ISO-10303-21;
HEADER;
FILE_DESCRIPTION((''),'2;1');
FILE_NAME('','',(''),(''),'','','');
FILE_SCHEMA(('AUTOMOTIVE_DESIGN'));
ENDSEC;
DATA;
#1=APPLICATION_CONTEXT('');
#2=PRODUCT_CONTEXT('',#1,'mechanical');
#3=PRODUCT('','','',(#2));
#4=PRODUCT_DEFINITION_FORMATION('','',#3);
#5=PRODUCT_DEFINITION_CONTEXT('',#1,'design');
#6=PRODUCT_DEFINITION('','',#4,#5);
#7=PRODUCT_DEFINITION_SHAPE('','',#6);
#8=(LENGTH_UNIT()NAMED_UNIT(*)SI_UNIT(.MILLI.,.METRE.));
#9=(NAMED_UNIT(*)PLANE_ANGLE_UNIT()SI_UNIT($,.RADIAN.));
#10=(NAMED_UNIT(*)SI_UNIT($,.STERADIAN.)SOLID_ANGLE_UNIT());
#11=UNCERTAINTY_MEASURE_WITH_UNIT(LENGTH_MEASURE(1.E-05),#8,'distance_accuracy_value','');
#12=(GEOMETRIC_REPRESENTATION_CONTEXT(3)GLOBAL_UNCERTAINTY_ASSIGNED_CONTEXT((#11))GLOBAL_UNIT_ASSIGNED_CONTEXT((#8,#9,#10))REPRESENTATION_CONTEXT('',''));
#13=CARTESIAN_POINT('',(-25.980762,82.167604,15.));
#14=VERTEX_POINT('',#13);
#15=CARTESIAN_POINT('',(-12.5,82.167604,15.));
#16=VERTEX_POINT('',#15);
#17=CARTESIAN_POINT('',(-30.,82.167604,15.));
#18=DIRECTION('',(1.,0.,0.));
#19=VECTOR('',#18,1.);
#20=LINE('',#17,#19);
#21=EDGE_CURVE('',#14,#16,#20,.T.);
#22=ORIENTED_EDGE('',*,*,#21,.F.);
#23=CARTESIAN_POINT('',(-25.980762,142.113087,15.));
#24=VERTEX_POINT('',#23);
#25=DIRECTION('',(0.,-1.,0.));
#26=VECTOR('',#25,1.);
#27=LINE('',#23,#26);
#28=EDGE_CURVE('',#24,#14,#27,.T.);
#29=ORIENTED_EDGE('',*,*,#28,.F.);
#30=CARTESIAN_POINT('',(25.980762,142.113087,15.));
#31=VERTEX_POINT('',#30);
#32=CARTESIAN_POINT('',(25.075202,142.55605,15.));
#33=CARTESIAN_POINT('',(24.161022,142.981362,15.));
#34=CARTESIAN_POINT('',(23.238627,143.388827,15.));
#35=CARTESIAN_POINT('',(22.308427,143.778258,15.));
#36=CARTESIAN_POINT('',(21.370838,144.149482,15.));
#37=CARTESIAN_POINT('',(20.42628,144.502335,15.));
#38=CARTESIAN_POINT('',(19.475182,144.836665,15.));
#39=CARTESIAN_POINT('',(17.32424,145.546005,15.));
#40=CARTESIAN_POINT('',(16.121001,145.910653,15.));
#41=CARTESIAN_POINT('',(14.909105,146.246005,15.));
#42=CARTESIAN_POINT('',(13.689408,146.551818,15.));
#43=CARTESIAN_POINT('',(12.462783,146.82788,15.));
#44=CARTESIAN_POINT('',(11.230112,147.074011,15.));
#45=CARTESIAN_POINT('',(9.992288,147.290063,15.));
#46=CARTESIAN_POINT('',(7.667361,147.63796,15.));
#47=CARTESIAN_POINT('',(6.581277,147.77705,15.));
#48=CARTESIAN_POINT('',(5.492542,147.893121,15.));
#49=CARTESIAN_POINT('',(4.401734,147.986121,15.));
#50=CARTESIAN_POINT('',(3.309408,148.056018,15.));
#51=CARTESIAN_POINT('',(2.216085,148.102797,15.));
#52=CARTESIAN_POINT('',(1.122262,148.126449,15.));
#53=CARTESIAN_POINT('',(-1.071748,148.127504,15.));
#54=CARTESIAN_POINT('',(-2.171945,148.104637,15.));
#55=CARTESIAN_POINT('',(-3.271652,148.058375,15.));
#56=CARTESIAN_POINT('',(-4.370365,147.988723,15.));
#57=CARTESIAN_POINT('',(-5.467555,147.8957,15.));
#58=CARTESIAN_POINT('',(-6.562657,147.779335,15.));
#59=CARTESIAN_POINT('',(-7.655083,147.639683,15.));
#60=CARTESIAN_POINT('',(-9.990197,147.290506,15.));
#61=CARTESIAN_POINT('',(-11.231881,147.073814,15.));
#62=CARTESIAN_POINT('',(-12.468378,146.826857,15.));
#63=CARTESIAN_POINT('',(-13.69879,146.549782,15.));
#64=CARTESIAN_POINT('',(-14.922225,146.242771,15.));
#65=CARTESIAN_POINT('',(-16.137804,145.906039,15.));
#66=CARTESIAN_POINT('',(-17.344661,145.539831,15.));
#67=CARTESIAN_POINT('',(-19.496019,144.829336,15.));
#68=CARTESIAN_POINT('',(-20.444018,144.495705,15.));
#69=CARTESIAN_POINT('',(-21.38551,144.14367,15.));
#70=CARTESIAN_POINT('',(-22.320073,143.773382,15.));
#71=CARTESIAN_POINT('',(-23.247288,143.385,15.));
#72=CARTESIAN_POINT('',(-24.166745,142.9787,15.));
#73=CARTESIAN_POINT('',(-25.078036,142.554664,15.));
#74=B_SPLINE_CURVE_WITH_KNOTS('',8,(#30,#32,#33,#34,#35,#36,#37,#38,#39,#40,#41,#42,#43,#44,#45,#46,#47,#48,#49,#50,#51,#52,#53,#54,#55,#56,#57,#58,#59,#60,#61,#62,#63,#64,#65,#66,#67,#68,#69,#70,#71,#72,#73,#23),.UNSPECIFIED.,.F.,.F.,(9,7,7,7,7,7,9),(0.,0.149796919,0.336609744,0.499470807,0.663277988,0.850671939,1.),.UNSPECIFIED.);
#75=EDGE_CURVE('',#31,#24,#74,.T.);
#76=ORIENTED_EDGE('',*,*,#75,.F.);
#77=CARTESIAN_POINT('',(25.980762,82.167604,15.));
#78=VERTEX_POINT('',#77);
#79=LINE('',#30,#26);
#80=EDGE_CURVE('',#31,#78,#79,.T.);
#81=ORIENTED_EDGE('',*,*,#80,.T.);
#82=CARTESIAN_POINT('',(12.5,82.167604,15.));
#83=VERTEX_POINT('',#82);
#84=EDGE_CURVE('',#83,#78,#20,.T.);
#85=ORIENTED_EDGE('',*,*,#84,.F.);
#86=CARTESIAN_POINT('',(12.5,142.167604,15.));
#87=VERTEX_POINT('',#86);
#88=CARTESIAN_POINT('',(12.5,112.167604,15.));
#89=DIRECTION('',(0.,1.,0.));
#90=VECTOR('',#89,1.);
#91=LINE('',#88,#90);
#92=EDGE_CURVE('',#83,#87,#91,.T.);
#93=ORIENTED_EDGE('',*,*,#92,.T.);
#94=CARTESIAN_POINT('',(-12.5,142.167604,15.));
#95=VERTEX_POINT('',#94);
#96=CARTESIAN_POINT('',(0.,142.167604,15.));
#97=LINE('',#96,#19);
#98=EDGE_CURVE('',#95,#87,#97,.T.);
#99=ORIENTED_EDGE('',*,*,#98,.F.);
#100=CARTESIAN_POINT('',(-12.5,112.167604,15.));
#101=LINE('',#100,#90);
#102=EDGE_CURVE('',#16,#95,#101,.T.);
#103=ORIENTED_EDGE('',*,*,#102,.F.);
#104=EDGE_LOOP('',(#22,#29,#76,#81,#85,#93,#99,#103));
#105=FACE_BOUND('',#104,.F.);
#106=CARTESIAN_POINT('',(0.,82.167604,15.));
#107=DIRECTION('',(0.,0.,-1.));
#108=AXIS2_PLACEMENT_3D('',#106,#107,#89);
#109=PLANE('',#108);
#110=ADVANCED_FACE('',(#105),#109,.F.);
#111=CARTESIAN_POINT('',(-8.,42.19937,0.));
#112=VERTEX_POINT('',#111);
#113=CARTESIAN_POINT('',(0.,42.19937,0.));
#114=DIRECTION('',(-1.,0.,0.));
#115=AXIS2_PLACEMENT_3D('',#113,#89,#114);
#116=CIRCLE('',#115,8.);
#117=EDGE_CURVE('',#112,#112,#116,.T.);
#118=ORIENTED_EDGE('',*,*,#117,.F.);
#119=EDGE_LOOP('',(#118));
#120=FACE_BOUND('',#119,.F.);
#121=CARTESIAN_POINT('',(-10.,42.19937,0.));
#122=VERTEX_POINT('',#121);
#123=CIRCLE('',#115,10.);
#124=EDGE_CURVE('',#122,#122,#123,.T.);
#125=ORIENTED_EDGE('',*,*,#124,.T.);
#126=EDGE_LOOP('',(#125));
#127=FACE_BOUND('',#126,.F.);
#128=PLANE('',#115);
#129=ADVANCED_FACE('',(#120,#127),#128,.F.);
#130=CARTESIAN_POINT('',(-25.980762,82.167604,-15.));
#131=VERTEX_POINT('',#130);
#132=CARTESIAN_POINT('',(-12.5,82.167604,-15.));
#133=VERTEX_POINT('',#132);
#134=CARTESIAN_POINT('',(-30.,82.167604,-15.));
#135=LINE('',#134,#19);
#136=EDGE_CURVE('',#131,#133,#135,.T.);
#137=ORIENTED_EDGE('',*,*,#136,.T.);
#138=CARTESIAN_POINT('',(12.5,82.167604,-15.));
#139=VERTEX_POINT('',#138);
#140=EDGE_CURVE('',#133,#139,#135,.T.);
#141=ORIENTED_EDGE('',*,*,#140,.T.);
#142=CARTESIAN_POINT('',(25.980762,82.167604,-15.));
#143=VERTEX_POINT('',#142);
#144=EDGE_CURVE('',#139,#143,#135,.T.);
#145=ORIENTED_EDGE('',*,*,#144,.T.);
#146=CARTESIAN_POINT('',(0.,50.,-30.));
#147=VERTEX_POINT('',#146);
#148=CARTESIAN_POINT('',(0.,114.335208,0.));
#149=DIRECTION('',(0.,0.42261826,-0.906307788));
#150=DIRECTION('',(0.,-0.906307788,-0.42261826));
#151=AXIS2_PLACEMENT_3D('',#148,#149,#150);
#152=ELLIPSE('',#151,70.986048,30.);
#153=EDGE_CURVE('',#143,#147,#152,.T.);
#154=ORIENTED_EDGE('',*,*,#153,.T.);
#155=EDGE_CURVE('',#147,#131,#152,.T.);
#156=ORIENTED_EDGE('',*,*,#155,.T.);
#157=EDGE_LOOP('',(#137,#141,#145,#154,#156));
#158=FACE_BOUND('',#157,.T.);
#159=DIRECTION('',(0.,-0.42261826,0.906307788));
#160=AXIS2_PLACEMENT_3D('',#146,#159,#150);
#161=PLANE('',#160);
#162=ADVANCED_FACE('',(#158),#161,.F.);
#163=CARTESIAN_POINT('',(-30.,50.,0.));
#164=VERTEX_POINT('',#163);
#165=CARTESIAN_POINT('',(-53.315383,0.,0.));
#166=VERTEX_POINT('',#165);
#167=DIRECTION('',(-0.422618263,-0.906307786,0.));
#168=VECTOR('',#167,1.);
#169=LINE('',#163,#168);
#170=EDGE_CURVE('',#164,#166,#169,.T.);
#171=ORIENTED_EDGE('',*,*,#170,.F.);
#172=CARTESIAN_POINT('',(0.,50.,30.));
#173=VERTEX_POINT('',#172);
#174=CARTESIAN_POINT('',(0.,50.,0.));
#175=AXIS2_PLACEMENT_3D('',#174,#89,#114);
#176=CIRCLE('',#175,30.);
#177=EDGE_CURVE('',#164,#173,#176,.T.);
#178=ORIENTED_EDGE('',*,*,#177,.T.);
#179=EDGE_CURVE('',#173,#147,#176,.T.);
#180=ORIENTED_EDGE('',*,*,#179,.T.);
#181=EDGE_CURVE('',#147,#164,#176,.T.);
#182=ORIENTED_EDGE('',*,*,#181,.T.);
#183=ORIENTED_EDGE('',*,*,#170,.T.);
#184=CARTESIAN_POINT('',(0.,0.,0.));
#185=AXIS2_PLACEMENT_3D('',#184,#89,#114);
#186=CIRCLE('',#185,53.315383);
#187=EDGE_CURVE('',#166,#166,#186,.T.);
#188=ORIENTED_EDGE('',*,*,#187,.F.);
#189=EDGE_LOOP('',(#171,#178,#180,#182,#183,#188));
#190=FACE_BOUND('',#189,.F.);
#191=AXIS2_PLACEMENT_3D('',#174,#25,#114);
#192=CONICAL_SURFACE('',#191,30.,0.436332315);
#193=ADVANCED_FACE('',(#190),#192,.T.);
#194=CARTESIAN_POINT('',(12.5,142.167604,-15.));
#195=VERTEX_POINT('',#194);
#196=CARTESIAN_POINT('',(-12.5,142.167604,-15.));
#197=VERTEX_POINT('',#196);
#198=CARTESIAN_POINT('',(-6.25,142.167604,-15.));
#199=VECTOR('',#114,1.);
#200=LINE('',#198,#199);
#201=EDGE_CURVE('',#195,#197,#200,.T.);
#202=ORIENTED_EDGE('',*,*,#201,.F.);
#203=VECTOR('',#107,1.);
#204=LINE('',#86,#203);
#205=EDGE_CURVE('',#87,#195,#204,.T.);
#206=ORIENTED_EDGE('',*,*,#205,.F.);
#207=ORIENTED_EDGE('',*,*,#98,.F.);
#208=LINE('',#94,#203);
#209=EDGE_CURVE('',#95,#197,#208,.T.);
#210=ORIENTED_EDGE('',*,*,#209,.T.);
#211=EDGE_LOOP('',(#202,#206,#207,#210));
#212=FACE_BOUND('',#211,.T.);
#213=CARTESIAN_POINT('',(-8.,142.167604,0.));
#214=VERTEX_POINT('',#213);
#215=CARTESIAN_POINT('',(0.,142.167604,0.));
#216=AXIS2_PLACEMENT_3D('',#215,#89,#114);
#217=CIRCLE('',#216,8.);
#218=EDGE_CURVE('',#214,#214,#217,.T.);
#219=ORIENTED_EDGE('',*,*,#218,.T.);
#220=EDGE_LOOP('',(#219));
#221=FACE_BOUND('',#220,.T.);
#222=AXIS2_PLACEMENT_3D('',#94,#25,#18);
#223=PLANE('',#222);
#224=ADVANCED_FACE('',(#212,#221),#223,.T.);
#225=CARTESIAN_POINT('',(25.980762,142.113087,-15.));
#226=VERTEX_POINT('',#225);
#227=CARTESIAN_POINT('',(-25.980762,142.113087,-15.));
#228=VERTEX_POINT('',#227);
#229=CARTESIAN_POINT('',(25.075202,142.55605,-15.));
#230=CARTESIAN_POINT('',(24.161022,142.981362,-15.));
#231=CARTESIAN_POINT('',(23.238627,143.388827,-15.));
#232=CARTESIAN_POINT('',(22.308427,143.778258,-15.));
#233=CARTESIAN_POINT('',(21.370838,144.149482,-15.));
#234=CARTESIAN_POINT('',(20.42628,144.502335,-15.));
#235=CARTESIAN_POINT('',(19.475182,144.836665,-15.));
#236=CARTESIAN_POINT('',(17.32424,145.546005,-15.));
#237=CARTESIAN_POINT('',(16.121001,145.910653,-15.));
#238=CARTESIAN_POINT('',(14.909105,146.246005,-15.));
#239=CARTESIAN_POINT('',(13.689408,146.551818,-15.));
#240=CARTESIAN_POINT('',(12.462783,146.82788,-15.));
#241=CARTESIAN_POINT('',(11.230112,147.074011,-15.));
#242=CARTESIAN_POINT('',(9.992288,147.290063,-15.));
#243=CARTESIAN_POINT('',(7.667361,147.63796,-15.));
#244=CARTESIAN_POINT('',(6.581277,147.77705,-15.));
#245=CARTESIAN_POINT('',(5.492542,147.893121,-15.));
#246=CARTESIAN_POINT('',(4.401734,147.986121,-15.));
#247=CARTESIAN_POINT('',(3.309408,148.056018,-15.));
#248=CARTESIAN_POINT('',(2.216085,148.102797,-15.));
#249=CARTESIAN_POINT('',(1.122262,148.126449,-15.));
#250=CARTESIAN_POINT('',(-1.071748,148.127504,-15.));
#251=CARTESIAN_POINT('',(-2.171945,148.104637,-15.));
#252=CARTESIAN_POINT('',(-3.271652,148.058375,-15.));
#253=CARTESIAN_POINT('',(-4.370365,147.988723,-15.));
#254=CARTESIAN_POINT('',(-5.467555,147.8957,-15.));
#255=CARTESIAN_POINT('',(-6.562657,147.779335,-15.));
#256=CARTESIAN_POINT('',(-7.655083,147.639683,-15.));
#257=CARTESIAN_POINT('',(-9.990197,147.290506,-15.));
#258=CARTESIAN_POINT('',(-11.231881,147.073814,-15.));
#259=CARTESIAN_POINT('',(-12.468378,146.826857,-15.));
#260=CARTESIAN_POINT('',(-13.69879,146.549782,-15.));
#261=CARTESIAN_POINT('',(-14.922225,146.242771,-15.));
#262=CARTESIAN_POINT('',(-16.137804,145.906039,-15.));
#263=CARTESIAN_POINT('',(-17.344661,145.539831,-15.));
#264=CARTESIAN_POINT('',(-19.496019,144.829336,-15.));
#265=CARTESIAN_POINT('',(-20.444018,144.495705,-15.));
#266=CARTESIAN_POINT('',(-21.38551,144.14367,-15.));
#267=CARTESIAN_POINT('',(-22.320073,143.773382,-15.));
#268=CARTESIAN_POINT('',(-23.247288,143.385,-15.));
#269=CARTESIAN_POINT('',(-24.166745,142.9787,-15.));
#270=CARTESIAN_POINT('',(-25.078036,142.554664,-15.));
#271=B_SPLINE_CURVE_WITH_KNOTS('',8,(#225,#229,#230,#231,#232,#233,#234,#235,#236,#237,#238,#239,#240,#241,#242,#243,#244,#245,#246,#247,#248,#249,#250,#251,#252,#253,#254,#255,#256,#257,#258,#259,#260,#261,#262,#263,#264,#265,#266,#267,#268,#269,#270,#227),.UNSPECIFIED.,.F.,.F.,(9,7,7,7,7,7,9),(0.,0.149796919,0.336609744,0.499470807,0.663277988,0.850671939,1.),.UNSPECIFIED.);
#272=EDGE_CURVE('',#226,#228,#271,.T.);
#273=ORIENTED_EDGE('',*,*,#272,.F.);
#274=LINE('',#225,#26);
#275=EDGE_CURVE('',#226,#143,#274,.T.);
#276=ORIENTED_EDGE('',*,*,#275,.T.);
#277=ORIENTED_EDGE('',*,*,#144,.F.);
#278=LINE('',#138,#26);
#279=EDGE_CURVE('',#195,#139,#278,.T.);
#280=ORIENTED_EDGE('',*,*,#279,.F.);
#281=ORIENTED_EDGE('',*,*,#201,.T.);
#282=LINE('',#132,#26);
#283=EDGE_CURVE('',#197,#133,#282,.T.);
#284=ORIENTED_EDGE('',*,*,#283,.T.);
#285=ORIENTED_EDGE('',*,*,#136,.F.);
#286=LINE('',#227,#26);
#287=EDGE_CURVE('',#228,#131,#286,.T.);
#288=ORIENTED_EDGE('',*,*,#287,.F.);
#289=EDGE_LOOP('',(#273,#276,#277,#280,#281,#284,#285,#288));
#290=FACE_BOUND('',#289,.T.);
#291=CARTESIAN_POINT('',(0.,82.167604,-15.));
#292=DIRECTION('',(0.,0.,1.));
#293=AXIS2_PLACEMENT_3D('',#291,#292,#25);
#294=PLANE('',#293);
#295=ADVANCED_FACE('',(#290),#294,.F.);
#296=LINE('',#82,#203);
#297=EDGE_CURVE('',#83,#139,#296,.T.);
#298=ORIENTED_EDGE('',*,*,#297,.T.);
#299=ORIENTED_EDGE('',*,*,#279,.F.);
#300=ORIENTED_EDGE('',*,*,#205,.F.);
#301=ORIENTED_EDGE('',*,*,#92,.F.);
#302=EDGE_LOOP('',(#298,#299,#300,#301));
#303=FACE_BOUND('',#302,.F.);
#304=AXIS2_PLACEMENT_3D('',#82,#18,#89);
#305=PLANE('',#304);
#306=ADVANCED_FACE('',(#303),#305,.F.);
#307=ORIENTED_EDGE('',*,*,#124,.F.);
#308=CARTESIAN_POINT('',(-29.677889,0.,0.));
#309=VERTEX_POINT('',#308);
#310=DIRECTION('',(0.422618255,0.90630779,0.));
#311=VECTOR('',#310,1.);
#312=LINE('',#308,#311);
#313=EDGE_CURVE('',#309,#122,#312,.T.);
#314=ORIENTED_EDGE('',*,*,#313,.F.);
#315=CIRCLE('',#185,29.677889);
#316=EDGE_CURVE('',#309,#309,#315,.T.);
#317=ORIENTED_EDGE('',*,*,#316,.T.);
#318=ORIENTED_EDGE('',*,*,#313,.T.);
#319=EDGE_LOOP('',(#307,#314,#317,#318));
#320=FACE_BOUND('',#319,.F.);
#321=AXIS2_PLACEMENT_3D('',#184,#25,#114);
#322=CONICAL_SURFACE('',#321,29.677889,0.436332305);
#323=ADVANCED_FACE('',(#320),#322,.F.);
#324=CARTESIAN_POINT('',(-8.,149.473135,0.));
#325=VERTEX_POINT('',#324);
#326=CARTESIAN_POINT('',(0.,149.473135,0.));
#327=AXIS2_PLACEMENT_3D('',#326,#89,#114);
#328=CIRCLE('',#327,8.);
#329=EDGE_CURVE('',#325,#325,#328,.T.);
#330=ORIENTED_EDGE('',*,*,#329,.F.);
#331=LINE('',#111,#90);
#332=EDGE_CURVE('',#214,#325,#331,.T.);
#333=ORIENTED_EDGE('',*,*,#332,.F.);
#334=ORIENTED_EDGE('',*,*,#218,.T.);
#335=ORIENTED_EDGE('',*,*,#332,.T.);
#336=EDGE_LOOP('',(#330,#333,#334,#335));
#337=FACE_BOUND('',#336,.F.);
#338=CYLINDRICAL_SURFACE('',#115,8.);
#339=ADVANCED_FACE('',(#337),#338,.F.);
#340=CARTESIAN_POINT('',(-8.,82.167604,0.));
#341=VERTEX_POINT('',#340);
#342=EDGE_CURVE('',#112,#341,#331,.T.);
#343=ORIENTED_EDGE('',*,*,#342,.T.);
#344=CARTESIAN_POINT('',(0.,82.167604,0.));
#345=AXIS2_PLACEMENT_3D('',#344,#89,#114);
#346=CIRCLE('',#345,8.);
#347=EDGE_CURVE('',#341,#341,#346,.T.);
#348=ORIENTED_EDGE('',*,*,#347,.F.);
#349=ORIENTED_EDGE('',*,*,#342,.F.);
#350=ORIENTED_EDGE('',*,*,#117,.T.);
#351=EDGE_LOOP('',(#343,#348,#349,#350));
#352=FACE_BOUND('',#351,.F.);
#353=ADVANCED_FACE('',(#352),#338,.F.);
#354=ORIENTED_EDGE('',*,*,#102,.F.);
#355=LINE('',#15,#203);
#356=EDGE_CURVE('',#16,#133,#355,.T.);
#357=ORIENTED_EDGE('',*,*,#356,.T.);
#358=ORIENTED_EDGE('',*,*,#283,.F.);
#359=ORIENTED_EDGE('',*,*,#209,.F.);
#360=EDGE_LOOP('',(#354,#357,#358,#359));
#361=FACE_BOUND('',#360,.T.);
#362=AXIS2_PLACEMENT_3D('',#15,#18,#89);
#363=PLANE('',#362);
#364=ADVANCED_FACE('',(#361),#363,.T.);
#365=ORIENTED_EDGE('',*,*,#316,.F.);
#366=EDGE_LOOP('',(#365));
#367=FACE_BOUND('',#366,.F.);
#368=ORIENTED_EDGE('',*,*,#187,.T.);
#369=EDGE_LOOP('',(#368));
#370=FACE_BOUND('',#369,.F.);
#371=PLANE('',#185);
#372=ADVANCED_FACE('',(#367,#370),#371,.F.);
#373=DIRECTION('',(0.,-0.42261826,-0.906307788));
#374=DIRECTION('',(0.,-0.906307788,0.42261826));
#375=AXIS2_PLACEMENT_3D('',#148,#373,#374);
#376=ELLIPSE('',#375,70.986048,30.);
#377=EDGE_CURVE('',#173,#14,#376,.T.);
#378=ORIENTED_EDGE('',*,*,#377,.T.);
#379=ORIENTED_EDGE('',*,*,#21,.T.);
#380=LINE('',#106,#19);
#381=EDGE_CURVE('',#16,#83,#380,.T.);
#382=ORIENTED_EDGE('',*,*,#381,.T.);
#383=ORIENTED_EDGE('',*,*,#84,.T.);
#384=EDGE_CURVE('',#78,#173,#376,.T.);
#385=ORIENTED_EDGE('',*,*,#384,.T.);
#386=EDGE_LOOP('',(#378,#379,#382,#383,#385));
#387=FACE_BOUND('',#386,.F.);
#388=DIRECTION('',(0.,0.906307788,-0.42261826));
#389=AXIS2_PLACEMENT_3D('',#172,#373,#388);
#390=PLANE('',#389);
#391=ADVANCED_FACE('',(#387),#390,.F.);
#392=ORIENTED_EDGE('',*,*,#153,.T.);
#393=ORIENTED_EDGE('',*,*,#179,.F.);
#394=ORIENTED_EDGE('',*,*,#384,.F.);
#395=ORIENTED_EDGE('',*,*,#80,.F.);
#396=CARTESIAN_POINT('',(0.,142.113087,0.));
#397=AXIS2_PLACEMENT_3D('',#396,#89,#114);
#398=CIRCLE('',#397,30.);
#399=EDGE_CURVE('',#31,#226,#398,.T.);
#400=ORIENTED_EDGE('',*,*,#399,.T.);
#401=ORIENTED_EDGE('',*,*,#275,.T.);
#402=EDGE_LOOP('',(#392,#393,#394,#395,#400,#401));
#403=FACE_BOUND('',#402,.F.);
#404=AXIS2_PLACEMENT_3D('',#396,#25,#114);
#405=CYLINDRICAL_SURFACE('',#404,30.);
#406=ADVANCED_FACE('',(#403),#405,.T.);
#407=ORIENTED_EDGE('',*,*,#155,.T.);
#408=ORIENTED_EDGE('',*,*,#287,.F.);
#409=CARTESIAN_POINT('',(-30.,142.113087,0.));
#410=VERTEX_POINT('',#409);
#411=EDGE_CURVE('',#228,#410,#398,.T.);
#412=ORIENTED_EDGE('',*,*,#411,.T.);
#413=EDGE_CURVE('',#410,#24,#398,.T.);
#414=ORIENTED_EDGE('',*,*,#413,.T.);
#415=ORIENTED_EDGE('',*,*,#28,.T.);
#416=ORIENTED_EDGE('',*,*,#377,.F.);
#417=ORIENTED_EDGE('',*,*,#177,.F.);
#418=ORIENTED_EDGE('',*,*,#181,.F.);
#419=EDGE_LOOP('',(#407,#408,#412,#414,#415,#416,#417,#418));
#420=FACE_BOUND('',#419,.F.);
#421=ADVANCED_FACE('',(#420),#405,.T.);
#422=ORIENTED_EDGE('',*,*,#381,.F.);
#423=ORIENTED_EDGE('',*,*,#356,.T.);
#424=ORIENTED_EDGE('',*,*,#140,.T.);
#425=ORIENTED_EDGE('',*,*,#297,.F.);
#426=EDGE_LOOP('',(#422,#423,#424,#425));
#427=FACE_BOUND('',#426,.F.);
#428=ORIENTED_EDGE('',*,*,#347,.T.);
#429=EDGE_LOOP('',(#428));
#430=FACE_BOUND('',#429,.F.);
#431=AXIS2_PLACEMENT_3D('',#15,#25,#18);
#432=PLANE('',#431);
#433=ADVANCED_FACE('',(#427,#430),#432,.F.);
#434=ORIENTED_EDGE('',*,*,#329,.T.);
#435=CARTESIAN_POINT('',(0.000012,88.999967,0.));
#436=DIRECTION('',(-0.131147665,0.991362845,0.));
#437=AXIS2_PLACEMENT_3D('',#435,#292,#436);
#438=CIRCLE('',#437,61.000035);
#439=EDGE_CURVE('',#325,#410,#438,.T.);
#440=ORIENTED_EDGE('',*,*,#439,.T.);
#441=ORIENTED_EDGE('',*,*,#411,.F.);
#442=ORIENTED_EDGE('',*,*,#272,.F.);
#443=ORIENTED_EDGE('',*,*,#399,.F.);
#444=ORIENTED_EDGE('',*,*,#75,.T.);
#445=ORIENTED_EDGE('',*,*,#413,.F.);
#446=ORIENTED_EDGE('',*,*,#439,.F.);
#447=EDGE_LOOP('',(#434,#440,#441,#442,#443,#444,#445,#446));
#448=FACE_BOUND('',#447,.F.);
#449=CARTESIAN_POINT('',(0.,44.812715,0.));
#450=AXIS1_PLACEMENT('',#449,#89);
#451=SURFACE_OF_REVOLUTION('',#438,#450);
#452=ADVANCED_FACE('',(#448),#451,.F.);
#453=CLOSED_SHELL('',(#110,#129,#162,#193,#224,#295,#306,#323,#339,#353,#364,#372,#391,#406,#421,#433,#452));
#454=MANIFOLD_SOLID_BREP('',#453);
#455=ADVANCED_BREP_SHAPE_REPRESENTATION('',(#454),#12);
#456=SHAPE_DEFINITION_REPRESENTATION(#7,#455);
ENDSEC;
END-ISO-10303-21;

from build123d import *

# Parameters (mm, degrees)
F3_DEPTH = 30
F5_W     = 25
F5_H     = 60
F6_DEPTH = 68.316383


with BuildPart() as f1:
    # F0 (on Top) → F1 (revolve)
    with BuildSketch(Plane.XY):
        with BuildLine():
            Line((-30, 50), (-53.315383, 0))
            Line((-53.315383, 0), (-29.677889, 0))
            Line((-29.677889, 0), (-10, 42.19937))
            Line((-10, 42.19937), (-8, 42.19937))
            Line((-8, 42.19937), (-8, 149.473135))
            ThreePointArc((-8, 149.473135), (-19.353102, 146.848573), (-30, 142.113087))
            Line((-30, 142.113087), (-30, 50))
        make_face()
    revolve(axis=Axis((0, 44.812715, 0), (0, 1, 0)))

    # F2 (on Right) → F3 (cut, symmetric)
    with BuildSketch(Plane.YZ):
        Polygon((149.473135, 30), (50, 30), (82.167604, 15), (149.473135, 15), align=None)
    extrude(amount=F3_DEPTH, both=True, mode=Mode.SUBTRACT)

    # F4: F1 across plane


with BuildPart() as f1_1:
    add(f1.part)
    add(f1.part.mirror(Plane.XY), mode=Mode.INTERSECT)

    # F5 (on face) → F6 (cut, through all)
    with BuildSketch(Plane.XY.offset(15)):
        with Locations((0, 112.167604)):
            Rectangle(F5_W, F5_H)
    extrude(amount=-F6_DEPTH, mode=Mode.SUBTRACT)


solid = f1_1.part
